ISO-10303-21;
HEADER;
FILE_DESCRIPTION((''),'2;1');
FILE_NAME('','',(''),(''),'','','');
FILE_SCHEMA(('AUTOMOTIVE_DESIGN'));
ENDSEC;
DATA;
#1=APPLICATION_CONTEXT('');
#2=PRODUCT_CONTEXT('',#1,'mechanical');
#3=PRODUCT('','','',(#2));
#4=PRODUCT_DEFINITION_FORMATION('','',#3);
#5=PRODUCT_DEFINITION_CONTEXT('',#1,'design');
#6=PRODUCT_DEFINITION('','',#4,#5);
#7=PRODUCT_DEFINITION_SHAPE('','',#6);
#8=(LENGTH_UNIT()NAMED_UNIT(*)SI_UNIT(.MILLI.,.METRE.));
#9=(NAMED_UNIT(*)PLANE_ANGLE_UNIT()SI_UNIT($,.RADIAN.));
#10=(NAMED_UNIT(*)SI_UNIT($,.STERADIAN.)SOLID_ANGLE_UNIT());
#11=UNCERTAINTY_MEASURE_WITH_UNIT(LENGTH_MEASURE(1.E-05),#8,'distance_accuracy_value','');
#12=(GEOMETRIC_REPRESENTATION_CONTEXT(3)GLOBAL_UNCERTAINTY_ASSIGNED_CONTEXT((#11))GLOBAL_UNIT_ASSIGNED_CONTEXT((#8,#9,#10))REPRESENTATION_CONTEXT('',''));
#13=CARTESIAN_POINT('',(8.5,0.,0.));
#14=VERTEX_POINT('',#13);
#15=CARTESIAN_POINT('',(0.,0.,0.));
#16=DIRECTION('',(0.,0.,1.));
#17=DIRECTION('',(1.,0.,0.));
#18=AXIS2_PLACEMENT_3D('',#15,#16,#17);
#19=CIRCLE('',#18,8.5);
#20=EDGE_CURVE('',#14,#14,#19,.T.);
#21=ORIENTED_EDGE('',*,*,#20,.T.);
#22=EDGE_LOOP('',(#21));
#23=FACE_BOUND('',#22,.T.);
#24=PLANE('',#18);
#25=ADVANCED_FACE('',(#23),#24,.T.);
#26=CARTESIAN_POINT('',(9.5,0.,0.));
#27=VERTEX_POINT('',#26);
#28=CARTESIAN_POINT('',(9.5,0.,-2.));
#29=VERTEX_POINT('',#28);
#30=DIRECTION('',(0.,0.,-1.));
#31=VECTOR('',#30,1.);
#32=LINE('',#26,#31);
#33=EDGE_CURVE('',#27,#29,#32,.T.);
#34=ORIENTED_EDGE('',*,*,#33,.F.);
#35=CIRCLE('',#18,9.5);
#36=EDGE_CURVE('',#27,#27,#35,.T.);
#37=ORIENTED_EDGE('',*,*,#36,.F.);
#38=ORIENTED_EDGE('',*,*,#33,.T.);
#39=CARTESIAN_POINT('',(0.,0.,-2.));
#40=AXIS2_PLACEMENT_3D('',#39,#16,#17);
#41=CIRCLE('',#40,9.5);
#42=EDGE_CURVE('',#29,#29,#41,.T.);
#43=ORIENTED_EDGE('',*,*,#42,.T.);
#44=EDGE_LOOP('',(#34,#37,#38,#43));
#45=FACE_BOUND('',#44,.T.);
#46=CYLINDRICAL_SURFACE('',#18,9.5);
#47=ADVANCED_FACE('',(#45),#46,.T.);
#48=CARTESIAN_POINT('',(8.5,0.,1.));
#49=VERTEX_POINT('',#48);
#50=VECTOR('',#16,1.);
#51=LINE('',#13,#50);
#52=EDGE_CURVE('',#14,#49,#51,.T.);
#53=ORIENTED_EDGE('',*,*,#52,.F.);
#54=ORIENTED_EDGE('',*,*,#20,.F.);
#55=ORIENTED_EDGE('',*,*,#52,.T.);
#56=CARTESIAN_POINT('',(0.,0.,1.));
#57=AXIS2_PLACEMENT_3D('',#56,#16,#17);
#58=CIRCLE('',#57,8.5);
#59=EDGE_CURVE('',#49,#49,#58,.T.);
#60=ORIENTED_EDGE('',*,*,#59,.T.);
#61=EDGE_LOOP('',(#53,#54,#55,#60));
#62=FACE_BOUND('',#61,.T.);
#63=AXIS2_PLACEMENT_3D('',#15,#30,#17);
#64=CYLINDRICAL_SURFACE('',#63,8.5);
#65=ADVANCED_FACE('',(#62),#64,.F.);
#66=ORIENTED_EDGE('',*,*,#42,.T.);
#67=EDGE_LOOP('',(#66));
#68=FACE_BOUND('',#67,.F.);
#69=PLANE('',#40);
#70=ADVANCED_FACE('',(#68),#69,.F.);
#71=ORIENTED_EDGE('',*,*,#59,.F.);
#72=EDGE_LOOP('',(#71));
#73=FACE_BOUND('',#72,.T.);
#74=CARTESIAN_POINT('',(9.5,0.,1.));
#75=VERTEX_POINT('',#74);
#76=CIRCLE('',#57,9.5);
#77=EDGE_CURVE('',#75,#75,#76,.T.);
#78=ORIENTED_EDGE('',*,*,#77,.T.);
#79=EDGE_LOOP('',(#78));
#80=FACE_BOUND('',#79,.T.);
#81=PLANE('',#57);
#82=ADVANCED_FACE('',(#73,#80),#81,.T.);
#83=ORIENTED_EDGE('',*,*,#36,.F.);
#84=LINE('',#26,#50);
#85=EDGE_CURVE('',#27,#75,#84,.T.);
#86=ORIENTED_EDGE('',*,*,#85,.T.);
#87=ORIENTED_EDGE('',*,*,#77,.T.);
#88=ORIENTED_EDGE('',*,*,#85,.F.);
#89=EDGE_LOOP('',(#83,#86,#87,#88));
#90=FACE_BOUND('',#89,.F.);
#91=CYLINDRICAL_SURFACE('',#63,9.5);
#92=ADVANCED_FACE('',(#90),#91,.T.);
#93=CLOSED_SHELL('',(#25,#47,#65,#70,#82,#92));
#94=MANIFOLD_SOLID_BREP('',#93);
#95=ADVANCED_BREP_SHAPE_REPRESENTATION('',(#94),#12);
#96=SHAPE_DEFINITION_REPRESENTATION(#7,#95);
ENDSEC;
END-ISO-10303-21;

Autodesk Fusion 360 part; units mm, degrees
sketch "Sketch1" plane through (0, 0, 0) normal (0, 0, 1) x (1, 0, 0)
  circle A0 centre (0, 0) radius 8.5
  circle A1 centre (0, 0) radius 7.5
  circle A2 centre (0, 0) radius 9.5
  dimension "d1" = 17
  dimension "d2" = 15
  dimension "d3" = 19
extrude "Extrude1" add sketch "Sketch1" against normal blind 2 contours A0 | A1 | A2
extrude "Extrude2" add sketch "Sketch1" along normal blind 1 contours A2
